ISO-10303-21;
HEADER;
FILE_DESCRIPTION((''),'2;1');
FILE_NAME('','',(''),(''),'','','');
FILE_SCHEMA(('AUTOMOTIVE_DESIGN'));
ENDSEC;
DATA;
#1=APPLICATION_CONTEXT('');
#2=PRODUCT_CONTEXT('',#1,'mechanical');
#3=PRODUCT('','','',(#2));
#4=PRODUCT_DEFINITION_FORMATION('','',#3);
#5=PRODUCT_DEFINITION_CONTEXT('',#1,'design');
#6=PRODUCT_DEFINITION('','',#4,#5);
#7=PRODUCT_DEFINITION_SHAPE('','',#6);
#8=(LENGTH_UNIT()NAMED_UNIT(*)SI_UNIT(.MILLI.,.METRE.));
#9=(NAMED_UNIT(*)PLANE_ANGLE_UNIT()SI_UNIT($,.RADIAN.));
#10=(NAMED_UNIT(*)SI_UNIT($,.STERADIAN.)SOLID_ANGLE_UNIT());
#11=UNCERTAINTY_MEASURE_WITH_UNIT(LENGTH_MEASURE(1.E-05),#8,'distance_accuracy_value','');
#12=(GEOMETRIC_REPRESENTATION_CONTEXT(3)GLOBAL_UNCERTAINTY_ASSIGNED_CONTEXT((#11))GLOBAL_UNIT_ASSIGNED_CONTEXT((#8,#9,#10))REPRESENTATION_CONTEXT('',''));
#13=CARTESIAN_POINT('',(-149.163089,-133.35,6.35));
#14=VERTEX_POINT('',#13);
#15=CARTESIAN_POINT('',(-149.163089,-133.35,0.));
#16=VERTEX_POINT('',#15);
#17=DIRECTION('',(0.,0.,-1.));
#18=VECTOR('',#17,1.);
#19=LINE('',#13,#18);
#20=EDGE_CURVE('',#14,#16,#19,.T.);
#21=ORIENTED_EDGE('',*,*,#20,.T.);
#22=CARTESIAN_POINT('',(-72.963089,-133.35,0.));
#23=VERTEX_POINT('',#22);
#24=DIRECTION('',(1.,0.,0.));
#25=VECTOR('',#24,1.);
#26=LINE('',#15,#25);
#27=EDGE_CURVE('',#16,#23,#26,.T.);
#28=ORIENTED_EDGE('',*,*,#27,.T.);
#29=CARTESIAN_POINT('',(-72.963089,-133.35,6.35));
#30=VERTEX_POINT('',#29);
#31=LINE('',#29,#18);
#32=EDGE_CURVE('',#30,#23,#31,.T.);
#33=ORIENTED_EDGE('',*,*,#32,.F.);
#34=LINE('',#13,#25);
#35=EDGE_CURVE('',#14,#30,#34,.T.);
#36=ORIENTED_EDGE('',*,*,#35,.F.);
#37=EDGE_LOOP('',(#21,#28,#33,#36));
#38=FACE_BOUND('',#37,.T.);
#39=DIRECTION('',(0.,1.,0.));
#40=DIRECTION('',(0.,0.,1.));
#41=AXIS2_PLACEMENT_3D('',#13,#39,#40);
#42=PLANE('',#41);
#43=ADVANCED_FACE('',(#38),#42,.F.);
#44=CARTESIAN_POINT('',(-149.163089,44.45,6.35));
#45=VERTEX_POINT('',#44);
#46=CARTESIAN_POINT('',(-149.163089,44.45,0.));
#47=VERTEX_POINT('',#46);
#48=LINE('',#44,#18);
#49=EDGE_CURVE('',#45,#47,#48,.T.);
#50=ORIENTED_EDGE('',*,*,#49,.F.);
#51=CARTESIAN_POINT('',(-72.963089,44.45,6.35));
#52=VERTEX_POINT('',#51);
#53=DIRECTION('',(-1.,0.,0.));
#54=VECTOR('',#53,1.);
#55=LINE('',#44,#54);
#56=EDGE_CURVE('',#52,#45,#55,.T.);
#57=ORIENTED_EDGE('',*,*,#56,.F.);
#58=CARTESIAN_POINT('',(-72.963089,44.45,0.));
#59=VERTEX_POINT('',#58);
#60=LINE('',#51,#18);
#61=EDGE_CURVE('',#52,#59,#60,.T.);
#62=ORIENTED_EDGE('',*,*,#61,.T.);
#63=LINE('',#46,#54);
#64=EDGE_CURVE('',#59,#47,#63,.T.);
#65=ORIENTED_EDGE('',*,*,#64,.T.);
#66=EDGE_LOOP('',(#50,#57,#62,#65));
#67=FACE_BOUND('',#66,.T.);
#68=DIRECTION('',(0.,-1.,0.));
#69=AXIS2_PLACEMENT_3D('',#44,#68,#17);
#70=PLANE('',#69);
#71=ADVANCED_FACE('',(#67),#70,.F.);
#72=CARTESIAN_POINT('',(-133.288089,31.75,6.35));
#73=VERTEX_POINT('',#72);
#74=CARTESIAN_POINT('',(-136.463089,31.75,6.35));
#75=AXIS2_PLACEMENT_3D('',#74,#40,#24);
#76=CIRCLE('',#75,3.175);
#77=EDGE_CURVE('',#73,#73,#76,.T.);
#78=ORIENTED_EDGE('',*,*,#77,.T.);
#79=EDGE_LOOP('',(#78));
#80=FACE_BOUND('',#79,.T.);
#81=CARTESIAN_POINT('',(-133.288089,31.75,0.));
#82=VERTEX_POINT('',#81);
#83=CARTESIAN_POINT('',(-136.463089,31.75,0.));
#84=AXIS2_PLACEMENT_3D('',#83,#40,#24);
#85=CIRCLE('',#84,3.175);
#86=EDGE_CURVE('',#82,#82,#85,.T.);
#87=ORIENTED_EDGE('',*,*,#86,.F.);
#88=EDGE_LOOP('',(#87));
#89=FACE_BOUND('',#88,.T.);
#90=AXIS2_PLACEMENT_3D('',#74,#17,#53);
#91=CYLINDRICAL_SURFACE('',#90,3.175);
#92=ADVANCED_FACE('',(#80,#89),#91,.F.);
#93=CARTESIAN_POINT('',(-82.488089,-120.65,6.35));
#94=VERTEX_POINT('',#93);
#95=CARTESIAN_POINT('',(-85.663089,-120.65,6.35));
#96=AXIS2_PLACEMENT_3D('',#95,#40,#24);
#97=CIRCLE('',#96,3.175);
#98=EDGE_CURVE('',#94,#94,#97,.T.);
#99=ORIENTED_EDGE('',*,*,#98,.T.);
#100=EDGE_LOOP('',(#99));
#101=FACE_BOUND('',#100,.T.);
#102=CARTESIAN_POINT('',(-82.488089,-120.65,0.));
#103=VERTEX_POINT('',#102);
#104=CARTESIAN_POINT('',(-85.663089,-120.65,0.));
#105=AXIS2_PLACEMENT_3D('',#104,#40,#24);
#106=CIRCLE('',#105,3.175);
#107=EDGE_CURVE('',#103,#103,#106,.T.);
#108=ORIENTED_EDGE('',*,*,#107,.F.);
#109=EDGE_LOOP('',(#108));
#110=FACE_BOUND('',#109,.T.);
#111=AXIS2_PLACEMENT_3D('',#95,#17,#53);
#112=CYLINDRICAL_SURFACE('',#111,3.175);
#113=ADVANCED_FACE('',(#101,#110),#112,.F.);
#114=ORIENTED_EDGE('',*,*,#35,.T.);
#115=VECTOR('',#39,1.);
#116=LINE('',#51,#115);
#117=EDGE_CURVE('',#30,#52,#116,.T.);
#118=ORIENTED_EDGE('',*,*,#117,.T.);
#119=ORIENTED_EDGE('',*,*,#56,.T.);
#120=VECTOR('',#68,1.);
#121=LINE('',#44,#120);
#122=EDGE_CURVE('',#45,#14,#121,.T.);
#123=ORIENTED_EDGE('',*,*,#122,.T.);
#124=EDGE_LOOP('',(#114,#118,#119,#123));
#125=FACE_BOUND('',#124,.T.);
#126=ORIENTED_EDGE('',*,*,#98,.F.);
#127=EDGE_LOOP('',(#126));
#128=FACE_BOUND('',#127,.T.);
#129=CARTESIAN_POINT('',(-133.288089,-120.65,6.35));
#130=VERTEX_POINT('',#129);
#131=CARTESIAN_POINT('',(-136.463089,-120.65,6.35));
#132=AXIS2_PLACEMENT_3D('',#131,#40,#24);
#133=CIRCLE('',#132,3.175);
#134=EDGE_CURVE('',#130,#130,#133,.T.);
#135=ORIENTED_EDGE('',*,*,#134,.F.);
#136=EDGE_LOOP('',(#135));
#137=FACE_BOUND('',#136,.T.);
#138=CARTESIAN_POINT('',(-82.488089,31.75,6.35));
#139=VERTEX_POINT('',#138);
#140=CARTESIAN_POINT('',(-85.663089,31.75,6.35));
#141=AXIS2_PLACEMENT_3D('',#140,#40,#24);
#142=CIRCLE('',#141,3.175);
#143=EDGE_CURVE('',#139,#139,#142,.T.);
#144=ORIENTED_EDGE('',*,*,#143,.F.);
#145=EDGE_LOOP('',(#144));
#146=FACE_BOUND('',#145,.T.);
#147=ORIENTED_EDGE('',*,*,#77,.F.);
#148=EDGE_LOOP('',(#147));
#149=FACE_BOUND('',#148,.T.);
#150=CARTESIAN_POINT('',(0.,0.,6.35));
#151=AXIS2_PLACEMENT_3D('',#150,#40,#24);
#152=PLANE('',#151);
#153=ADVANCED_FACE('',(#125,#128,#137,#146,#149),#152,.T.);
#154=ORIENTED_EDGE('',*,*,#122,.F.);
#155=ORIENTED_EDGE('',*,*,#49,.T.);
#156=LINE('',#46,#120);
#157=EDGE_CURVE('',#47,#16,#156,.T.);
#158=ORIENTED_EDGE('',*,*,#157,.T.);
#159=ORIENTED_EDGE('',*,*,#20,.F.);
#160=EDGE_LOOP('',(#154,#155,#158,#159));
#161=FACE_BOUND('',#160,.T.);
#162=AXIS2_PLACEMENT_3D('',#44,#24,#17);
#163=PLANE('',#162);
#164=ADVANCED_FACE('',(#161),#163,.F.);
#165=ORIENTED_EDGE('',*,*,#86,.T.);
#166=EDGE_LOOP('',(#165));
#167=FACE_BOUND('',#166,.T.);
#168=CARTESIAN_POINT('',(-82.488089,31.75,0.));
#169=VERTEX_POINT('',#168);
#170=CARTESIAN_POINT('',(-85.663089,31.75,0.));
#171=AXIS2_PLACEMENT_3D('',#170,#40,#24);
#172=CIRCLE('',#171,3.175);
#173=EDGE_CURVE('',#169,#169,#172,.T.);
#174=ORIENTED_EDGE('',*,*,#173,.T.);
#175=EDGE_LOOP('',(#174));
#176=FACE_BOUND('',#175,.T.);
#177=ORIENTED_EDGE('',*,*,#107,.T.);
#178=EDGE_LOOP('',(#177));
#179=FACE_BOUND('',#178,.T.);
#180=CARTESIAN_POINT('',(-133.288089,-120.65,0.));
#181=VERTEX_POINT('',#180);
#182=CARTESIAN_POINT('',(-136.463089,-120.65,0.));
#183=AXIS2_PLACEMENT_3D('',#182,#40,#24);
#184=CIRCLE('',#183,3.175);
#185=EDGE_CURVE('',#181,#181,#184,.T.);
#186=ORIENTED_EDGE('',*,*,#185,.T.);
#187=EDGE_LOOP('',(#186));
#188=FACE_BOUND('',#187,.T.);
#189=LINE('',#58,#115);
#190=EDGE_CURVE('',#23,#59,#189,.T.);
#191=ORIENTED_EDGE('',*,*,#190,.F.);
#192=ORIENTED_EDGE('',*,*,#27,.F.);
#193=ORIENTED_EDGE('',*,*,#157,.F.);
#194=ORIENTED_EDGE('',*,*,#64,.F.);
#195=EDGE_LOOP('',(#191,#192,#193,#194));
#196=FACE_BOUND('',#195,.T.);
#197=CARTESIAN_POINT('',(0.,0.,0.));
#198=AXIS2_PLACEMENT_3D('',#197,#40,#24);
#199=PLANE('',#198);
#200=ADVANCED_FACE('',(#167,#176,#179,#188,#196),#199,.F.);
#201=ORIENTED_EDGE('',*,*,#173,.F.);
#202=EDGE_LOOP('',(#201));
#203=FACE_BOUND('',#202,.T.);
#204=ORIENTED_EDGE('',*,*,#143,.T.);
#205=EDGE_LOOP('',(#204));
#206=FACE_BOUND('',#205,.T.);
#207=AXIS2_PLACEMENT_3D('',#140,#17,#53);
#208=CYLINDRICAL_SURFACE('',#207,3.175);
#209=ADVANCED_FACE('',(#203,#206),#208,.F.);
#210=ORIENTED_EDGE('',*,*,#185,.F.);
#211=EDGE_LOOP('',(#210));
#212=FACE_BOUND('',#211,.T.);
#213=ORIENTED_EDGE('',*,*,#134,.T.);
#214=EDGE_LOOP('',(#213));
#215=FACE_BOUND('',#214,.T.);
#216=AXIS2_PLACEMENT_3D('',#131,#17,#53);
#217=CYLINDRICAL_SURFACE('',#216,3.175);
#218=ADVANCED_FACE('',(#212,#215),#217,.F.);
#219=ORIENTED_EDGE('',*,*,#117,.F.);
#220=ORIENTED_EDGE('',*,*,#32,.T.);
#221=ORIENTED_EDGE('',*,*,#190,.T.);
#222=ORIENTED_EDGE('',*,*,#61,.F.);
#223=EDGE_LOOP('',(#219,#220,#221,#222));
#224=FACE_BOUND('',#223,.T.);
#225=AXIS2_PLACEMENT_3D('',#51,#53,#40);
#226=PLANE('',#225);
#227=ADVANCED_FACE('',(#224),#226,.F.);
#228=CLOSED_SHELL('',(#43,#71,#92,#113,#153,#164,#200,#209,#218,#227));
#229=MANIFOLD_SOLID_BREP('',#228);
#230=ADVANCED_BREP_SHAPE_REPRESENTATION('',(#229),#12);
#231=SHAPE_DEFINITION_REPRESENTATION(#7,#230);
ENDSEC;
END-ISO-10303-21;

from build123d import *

# Parameters (mm, degrees)
SKETCH1_W           = 76.2
SKETCH1_H           = 177.8
SKETCH1_R           = 3.175
BOSS_EXTRUDE1_DEPTH = 6.35


with BuildPart() as part:
    # Sketch1 → Boss-Extrude1 (new body)
    with BuildSketch(Plane.XY):
        with Locations((-111.06308909, -44.45)):
            Rectangle(SKETCH1_W, SKETCH1_H)
        with Locations((-85.66308909, -120.65)):
            Circle(SKETCH1_R, mode=Mode.SUBTRACT)
        with Locations((-136.46308909, -120.65)):
            Circle(SKETCH1_R, mode=Mode.SUBTRACT)
        with Locations((-85.66308909, 31.75)):
            Circle(SKETCH1_R, mode=Mode.SUBTRACT)
        with Locations((-136.46308909, 31.75)):
            Circle(SKETCH1_R, mode=Mode.SUBTRACT)
    extrude(amount=BOSS_EXTRUDE1_DEPTH)


solid = part.part
